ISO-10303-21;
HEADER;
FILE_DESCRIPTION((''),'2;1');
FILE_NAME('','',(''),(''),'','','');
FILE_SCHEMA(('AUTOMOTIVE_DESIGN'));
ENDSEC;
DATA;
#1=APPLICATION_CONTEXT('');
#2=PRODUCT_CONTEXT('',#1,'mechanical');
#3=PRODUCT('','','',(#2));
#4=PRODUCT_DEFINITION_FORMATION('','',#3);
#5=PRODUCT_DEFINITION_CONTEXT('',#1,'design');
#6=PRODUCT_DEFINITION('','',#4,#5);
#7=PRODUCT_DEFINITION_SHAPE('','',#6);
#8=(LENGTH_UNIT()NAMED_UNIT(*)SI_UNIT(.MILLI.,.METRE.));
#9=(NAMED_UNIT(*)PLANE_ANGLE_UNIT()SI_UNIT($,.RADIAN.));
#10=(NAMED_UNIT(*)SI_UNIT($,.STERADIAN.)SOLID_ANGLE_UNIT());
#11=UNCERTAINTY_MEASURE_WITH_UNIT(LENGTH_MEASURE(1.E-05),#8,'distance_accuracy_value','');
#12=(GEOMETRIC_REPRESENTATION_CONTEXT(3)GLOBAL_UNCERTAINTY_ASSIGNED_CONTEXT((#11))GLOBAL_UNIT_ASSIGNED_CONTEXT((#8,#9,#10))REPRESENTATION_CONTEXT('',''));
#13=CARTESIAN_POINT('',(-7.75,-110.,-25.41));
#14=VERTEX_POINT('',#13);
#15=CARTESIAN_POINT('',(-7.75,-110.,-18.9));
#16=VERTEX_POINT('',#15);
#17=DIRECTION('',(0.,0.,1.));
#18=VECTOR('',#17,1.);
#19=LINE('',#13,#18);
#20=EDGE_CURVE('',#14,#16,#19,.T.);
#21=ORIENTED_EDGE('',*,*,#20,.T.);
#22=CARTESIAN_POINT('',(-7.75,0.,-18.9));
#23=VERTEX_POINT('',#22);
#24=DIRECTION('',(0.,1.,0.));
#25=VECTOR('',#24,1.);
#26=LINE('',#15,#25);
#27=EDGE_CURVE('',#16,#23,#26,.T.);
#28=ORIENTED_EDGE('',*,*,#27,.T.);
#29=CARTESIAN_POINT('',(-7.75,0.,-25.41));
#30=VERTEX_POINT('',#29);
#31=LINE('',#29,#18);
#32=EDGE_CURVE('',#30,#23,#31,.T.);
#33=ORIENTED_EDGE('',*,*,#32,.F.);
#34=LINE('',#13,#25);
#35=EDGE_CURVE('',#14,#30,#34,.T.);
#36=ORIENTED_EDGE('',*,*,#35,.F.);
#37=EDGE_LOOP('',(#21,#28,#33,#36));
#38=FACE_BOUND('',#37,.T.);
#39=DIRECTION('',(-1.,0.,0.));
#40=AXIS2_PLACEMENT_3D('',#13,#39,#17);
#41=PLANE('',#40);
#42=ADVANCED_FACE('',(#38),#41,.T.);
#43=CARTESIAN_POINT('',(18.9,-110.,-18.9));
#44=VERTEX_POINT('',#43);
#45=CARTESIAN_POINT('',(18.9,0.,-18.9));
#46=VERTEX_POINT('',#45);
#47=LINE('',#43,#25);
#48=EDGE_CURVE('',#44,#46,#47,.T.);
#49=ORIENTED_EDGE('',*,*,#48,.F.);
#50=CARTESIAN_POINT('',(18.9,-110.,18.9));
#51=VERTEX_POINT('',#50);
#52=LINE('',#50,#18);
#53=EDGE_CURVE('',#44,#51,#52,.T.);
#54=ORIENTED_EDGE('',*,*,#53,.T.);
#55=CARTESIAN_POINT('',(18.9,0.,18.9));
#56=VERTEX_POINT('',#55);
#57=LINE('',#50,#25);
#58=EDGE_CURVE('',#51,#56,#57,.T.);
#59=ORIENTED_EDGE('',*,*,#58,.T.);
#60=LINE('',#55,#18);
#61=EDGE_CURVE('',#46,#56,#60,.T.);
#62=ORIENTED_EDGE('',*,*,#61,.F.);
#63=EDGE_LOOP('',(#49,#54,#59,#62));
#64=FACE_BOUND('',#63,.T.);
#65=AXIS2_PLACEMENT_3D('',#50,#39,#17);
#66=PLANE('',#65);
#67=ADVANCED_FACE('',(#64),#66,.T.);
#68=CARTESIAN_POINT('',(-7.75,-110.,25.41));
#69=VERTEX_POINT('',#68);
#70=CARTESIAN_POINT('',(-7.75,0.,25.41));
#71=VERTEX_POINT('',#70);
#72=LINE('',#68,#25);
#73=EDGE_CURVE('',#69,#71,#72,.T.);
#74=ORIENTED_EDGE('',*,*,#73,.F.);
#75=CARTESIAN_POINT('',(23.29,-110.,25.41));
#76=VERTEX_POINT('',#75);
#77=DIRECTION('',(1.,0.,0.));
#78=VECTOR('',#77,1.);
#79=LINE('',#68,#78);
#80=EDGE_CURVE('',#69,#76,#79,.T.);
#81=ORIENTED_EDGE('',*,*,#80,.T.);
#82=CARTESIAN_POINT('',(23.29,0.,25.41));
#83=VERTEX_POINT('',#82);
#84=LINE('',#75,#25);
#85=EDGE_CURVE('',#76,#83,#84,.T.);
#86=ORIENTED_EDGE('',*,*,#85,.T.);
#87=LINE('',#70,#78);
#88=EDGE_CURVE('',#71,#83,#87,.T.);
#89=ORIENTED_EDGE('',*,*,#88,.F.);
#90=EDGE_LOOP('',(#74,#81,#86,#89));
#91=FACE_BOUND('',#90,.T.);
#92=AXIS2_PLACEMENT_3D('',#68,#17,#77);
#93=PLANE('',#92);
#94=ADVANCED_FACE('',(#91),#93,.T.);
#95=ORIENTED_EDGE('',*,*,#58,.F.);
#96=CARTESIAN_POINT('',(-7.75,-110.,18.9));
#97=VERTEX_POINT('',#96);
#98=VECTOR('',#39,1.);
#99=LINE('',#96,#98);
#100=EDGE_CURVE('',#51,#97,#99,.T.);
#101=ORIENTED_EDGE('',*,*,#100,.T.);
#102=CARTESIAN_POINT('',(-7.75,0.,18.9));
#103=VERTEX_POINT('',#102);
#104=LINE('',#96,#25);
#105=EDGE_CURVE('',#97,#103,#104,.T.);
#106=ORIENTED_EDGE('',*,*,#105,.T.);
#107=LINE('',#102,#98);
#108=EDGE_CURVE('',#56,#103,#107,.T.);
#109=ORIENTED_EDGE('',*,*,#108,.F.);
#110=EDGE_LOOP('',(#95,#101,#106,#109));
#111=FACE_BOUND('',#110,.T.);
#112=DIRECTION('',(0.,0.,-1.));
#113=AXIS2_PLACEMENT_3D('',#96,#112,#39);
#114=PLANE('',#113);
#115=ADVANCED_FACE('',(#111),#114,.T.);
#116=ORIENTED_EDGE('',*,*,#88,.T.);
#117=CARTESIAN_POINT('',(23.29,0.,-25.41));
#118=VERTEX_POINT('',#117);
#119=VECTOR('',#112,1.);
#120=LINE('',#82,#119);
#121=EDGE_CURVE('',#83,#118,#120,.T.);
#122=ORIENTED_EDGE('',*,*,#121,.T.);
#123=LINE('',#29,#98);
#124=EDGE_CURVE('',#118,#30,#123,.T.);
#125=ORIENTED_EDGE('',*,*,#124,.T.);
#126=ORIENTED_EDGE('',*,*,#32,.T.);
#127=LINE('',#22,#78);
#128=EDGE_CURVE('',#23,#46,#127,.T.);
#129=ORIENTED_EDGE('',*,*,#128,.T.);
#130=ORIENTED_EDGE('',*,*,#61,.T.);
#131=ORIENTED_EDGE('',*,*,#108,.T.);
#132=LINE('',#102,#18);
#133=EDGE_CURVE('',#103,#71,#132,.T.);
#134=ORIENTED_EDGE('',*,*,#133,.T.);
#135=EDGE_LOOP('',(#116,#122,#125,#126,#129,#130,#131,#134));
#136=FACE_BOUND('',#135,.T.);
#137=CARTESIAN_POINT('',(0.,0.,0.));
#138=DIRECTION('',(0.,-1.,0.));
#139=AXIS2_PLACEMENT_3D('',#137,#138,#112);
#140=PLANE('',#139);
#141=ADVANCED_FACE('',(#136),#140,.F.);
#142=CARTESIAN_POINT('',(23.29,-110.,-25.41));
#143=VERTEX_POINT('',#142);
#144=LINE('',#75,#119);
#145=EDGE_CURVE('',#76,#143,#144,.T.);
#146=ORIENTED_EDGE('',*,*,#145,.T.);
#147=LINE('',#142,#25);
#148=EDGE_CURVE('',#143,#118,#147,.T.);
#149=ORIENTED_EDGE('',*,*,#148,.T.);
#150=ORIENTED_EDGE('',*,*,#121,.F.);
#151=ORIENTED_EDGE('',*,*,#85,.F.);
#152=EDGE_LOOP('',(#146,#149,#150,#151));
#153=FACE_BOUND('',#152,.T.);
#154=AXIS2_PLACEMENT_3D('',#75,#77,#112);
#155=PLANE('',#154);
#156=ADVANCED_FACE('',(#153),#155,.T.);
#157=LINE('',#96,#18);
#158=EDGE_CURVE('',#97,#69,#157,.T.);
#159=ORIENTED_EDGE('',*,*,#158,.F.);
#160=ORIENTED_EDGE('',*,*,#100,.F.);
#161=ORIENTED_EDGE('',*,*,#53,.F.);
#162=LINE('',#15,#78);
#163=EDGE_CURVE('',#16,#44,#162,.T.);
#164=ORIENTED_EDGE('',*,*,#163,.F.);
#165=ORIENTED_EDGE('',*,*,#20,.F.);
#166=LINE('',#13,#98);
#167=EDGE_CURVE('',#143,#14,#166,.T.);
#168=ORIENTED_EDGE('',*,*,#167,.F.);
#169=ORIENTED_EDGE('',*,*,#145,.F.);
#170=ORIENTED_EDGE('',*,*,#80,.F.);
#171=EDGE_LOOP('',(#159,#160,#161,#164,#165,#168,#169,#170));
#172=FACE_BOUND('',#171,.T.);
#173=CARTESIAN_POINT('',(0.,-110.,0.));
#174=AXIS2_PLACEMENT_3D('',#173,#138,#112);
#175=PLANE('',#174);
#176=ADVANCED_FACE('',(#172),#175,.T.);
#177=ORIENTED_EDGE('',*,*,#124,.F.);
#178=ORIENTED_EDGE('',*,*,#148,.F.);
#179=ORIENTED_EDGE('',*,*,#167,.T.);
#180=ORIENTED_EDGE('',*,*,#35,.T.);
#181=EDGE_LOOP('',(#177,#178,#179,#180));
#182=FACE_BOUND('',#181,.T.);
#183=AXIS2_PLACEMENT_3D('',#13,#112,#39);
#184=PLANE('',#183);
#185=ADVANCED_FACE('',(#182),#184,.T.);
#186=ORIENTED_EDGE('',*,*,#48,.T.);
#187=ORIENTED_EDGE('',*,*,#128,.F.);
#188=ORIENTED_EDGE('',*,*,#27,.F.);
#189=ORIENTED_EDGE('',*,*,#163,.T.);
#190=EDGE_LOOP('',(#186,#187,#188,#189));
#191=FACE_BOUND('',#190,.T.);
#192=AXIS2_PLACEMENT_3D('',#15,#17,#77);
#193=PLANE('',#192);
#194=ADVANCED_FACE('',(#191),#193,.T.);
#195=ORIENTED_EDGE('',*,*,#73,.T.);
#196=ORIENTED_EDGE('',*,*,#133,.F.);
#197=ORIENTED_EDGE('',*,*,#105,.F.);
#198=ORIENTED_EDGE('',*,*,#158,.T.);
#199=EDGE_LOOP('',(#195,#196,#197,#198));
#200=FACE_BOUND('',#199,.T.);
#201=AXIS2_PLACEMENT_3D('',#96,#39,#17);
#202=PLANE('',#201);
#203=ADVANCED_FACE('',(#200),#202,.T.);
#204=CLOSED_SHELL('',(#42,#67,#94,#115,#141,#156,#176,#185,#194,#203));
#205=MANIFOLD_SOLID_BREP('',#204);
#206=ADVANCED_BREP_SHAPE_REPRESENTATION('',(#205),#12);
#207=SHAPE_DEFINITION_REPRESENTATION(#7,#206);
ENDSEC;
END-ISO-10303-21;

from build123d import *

# Parameters (mm, degrees)
BOSS_EXTRUDE1_DEPTH = 110


with BuildPart() as part:
    # Sketch1 → Boss-Extrude1 (new body)
    with BuildSketch(Plane(origin=(0, 0, 0), x_dir=(1, 0, 0), z_dir=(0, 1, 0))):
        Polygon((23.29, 25.41), (-7.75, 25.41), (-7.75, 18.9), (18.9, 18.9), (18.9, -18.9), (-7.75, -18.9), (-7.75, -25.41), (23.29, -25.41), align=None)
    extrude(amount=-BOSS_EXTRUDE1_DEPTH)


solid = part.part
